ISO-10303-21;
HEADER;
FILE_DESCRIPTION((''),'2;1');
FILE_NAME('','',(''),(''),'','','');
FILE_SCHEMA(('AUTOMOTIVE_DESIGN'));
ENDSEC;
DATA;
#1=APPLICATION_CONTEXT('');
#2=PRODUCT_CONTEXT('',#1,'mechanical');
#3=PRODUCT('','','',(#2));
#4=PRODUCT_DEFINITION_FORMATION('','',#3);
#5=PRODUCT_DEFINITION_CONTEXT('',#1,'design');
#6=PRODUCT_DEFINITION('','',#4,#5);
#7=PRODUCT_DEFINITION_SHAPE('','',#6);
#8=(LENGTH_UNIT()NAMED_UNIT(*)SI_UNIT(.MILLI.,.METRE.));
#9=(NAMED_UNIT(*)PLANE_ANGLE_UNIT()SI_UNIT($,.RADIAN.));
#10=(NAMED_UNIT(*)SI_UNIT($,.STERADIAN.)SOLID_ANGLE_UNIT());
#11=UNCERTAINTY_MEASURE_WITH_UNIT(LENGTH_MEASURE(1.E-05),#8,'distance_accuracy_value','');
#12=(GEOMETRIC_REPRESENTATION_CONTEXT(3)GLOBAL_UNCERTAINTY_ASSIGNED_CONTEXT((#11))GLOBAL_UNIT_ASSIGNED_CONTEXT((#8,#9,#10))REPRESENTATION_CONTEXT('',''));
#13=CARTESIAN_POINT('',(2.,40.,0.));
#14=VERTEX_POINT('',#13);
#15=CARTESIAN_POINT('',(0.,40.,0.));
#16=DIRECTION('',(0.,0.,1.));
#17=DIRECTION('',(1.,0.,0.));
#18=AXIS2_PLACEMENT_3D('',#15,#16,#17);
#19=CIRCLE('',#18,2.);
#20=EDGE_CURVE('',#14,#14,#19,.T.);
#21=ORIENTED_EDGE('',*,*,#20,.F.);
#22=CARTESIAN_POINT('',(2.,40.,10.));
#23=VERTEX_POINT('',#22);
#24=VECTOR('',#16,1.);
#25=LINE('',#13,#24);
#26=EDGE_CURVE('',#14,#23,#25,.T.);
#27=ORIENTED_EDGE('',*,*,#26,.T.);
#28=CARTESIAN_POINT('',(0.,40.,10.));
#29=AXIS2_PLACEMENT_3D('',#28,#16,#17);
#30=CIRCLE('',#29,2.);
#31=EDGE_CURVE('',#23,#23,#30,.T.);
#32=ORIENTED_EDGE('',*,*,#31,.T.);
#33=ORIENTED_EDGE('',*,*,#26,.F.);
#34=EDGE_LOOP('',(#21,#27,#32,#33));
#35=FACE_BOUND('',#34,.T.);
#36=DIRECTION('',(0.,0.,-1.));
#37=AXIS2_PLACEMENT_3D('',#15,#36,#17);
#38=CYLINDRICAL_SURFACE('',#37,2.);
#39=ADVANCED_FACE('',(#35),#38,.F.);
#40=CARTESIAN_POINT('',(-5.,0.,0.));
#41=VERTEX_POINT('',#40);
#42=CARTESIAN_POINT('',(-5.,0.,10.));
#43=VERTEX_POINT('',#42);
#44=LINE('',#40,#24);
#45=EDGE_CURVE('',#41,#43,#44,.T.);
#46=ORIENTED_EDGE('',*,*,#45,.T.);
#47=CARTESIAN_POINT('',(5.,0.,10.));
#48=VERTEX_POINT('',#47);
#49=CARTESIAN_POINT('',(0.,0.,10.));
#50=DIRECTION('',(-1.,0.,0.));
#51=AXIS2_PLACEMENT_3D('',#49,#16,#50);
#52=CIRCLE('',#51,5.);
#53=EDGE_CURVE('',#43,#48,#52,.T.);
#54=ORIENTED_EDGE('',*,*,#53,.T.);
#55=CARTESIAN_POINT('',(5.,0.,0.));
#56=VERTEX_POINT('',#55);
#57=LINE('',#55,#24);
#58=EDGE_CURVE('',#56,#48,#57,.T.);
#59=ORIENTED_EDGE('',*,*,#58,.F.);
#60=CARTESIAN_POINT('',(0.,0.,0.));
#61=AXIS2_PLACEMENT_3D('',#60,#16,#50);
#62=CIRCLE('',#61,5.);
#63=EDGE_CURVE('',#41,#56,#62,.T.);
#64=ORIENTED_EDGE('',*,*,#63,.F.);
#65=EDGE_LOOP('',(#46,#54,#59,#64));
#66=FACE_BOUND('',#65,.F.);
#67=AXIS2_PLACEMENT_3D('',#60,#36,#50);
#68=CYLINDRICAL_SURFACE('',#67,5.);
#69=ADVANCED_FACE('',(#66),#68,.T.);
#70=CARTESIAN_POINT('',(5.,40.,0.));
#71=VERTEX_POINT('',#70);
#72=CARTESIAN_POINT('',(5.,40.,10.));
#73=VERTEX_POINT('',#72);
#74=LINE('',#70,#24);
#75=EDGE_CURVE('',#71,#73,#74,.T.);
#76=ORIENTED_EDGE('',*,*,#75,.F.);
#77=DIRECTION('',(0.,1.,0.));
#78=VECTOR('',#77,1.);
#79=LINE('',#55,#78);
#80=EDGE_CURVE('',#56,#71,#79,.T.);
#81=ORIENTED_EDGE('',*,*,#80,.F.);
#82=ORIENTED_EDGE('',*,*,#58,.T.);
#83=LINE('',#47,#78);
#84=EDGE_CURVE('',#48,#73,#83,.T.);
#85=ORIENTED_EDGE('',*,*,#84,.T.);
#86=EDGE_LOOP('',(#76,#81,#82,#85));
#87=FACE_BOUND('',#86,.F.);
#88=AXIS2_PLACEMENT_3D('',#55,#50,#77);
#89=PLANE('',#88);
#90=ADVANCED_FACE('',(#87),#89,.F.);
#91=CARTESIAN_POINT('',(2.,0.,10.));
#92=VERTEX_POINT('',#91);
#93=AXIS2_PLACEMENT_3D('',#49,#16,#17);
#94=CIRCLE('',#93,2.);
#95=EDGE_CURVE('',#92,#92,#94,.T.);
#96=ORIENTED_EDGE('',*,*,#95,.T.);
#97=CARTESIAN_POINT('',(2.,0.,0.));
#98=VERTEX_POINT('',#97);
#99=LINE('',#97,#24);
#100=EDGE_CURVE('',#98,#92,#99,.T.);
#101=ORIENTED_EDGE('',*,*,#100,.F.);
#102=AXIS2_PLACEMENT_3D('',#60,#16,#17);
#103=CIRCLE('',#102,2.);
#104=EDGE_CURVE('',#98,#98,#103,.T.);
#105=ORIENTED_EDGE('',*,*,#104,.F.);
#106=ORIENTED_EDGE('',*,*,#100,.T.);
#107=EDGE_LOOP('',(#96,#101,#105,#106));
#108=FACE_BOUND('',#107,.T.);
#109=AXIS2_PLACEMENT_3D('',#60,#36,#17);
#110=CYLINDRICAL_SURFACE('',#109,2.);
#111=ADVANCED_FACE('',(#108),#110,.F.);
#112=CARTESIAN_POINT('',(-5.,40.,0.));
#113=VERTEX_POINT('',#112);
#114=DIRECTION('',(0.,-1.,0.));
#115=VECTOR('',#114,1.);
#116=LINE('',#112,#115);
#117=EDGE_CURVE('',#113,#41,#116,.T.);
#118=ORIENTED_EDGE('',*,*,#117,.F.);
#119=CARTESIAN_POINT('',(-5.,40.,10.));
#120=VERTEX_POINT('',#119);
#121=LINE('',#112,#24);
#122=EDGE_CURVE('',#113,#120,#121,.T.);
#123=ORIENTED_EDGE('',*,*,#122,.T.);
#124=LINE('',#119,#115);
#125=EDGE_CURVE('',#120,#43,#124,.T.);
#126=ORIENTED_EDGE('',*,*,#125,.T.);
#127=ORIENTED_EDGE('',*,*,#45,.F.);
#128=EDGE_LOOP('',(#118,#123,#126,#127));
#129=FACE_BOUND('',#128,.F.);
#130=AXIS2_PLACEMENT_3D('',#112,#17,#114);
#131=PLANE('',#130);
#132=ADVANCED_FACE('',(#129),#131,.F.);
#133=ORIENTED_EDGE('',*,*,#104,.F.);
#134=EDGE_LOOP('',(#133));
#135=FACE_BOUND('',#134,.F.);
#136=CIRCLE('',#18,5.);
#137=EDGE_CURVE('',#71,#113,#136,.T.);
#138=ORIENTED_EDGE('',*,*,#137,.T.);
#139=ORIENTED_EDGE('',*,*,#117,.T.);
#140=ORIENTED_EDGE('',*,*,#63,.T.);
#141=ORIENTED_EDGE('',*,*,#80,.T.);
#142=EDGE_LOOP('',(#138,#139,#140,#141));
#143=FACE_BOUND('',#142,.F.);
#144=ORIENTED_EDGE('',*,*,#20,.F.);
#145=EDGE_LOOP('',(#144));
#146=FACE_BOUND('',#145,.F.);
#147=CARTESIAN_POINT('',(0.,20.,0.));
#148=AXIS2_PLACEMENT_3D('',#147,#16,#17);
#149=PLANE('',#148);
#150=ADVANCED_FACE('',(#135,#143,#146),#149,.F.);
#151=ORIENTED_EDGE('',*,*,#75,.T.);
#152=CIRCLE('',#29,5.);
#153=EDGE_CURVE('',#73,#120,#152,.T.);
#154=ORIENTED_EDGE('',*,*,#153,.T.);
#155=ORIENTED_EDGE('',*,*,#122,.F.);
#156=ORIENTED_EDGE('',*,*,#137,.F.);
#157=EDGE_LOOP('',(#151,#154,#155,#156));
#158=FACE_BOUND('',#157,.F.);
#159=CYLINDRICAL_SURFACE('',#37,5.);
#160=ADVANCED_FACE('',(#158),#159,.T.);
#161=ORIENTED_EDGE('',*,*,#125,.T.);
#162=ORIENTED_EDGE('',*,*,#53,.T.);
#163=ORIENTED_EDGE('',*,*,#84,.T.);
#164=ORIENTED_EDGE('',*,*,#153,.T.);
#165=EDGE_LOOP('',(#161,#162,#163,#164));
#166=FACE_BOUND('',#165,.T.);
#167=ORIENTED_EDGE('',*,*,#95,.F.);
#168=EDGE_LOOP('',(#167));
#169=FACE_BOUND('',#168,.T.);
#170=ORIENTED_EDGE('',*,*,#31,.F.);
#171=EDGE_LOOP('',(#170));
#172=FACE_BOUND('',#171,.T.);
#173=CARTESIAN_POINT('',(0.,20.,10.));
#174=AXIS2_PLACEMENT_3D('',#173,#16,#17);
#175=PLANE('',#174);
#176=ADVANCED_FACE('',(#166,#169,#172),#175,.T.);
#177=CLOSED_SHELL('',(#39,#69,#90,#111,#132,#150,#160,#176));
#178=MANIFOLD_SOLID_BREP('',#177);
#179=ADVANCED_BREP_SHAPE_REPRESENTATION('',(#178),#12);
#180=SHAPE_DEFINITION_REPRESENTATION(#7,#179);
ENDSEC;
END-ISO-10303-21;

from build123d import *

# Parameters (mm, degrees)
CROQUIS1_R              = 2
SALIENTE_EXTRUIR1_DEPTH = 10


with BuildPart() as part:
    # Croquis1 → Saliente-Extruir1 (new body)
    with BuildSketch(Plane.XY):
        with BuildLine():
            Line((-5, 40), (-5, 0))
            ThreePointArc((-5, 0), (0, -5), (5, 0))
            Line((5, 0), (5, 40))
            ThreePointArc((5, 40), (0, 45), (-5, 40))
        make_face()
        Circle(CROQUIS1_R, mode=Mode.SUBTRACT)
        with Locations((0, 40)):
            Circle(CROQUIS1_R, mode=Mode.SUBTRACT)
    extrude(amount=SALIENTE_EXTRUIR1_DEPTH)


solid = part.part
